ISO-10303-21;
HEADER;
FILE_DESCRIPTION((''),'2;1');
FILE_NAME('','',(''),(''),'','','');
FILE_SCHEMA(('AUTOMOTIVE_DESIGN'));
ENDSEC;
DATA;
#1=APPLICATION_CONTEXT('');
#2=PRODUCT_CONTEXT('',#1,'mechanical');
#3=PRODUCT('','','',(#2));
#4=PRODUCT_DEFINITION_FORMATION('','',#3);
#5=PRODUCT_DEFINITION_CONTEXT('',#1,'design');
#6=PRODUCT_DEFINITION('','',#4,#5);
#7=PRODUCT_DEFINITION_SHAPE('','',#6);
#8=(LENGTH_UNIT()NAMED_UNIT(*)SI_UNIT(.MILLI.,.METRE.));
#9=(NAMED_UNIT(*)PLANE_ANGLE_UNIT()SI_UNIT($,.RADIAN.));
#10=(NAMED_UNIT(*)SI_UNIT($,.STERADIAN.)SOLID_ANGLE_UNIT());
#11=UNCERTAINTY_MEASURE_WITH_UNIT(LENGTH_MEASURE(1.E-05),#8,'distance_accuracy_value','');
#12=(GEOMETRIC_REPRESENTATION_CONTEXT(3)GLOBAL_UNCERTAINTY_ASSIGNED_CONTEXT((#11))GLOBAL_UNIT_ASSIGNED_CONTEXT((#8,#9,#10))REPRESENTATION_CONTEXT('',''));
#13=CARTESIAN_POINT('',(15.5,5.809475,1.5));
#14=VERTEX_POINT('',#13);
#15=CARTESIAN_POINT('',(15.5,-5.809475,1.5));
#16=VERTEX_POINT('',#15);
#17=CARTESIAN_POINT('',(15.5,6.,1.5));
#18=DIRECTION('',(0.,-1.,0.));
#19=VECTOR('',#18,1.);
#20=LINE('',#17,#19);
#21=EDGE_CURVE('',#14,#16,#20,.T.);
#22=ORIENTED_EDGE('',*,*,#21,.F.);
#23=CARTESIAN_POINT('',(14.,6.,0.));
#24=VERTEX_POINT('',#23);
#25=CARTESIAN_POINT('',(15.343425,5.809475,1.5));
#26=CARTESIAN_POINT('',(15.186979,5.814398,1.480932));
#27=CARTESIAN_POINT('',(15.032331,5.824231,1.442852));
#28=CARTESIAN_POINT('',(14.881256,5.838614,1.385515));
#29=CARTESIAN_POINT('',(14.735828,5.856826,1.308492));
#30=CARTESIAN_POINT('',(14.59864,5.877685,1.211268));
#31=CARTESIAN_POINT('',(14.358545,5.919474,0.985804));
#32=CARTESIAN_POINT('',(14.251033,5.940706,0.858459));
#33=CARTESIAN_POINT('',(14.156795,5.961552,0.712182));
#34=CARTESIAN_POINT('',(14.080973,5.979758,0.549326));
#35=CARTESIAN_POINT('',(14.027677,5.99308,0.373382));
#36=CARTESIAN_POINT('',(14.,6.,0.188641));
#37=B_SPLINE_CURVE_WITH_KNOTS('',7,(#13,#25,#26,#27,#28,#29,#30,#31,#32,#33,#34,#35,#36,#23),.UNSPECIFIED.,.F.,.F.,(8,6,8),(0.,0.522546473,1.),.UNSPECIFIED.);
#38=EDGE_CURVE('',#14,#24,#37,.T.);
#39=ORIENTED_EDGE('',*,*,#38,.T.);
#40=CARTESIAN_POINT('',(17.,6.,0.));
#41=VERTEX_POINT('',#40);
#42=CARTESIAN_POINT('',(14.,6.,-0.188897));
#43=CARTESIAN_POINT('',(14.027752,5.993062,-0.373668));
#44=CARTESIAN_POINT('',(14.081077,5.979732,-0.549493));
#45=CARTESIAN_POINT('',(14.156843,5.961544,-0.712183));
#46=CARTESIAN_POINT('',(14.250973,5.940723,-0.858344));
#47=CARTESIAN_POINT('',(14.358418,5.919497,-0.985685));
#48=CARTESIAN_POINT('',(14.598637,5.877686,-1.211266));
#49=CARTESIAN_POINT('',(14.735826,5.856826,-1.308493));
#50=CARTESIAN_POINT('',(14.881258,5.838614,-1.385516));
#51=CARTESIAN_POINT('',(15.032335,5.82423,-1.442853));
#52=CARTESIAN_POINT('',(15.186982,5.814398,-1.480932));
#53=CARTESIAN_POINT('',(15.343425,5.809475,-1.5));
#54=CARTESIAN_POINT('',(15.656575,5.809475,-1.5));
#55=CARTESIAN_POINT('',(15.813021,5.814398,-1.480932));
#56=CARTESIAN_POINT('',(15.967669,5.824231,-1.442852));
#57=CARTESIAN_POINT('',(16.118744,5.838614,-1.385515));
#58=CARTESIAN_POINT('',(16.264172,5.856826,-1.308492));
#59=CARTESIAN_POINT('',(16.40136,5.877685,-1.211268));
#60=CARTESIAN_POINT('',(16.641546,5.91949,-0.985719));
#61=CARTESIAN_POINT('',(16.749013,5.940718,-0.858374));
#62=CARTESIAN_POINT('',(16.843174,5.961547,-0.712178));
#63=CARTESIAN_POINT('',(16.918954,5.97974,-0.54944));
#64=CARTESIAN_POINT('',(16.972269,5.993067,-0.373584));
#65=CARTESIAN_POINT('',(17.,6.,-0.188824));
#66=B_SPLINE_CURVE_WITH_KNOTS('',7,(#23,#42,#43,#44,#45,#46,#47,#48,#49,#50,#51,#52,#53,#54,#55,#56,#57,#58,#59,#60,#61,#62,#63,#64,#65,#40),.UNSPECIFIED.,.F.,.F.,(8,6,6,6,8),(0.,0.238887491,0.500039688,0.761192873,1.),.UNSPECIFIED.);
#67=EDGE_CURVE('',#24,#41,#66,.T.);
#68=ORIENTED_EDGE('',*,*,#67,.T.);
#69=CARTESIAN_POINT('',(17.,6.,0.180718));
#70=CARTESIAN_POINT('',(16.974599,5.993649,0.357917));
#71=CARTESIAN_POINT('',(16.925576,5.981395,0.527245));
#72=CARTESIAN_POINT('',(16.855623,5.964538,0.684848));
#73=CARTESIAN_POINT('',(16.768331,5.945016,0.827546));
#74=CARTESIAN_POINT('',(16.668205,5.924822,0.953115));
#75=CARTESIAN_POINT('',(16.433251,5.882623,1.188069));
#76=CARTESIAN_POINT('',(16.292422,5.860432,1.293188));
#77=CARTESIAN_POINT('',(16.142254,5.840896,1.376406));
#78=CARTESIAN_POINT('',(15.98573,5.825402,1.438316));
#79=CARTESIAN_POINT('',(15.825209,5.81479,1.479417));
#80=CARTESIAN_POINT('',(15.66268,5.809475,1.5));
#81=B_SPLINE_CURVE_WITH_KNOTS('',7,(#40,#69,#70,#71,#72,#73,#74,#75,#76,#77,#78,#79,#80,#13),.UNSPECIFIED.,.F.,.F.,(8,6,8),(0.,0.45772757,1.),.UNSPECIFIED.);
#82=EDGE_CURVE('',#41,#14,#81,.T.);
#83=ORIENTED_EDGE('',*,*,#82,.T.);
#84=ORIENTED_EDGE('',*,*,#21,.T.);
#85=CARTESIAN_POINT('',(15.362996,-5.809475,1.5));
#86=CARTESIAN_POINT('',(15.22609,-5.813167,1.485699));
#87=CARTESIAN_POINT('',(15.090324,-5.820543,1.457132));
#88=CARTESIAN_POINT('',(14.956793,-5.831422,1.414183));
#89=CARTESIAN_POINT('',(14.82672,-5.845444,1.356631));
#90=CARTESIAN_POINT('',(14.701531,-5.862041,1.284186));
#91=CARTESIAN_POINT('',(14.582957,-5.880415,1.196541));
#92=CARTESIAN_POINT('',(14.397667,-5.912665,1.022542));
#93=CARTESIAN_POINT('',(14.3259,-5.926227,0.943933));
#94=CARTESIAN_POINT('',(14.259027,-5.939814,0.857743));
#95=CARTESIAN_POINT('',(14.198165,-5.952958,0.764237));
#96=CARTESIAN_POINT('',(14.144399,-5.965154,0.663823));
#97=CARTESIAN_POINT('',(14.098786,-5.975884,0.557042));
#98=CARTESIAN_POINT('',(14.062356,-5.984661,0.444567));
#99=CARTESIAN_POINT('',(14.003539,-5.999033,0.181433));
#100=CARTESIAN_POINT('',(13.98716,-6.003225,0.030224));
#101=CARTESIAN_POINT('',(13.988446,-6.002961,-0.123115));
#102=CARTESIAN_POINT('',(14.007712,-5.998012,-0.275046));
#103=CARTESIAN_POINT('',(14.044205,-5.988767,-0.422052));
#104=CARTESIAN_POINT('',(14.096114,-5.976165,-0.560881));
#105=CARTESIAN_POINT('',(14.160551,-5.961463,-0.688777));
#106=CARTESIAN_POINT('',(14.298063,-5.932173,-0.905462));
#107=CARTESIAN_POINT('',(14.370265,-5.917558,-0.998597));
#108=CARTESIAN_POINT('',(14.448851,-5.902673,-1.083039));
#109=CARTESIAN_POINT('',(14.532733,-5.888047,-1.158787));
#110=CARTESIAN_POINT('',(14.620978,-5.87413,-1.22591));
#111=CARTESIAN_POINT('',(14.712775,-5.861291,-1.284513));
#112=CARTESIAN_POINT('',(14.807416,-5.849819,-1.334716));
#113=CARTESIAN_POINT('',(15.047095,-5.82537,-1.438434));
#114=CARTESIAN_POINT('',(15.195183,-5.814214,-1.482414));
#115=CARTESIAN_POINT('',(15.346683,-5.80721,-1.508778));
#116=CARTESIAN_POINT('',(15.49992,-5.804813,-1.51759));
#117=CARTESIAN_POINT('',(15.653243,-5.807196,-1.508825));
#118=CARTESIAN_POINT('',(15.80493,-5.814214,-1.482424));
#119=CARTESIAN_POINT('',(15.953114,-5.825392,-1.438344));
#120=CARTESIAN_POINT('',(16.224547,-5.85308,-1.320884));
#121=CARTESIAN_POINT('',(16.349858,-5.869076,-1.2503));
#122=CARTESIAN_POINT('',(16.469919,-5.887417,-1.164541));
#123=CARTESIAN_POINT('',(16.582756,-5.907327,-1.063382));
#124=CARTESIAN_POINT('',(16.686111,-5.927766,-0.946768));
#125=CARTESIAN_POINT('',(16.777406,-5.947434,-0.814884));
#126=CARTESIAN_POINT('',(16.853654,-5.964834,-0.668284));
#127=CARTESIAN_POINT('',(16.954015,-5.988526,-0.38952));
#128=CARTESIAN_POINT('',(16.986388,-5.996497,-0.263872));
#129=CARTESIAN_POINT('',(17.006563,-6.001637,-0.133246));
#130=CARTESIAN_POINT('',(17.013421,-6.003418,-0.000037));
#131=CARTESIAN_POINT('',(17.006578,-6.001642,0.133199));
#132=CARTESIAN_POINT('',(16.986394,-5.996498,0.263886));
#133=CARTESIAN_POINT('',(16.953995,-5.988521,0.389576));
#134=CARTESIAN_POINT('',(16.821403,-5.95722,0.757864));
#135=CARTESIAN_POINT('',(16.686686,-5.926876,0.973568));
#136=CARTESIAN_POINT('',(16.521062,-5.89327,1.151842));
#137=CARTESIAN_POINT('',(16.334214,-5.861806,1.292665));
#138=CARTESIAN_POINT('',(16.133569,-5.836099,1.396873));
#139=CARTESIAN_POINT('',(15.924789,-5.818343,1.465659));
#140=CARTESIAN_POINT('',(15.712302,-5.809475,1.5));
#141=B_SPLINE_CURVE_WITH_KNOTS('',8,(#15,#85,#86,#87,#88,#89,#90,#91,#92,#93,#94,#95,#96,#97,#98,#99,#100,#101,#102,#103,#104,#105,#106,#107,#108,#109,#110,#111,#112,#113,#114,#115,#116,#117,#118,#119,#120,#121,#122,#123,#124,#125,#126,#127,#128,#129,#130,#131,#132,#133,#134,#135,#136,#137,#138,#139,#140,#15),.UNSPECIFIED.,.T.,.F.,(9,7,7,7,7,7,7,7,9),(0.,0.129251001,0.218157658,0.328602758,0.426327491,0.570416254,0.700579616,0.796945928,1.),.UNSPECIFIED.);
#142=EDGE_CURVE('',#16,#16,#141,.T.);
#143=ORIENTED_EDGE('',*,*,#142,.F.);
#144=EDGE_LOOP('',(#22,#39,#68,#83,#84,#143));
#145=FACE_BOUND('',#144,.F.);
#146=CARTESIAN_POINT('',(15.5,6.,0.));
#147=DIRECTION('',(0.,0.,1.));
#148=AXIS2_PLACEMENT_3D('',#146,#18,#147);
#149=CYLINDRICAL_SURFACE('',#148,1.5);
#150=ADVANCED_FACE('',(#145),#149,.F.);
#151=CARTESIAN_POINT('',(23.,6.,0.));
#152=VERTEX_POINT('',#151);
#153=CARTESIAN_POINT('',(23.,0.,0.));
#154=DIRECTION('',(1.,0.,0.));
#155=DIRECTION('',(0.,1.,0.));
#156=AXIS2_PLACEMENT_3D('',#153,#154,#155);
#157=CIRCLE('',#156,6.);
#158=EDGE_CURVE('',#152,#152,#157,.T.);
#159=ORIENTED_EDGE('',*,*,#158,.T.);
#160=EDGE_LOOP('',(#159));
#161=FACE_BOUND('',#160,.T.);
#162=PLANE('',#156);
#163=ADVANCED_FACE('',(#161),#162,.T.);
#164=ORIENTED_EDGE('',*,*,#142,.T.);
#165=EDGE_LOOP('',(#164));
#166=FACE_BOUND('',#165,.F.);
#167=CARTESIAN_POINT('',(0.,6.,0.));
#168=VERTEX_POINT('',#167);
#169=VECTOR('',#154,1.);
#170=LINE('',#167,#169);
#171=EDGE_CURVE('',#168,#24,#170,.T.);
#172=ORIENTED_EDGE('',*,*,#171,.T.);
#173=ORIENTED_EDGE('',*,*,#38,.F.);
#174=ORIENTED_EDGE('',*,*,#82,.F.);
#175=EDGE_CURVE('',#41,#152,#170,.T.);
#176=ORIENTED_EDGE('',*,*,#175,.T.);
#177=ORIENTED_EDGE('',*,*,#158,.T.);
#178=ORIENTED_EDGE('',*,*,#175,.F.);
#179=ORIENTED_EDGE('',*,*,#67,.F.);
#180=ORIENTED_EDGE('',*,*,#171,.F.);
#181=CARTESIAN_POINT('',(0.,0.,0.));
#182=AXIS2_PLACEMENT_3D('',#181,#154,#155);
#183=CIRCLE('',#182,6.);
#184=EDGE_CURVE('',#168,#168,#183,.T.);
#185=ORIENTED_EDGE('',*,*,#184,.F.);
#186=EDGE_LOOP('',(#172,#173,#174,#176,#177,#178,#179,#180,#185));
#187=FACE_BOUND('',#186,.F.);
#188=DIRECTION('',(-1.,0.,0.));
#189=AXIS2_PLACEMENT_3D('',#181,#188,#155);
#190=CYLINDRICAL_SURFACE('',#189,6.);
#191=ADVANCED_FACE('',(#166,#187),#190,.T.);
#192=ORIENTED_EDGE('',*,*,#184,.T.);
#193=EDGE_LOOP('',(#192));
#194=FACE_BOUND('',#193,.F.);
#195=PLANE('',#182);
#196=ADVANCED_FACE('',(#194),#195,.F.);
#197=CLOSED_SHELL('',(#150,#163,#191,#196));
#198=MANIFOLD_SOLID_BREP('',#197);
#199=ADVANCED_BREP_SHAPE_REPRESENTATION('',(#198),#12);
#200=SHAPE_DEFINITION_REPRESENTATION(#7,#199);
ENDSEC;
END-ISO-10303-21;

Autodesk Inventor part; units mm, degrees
ref_plane "YZ Plane" through (0, 0, 0) normal (1, 0, 0) x (0, 1, 0)
ref_plane "XY Plane" through (0, 0, 0) normal (0, 0, 1) x (1, 0, 0)
sketch "スケッチ1" plane through (0, 0, 0) normal (1, 0, 0) x (0, 1, 0)
  circle A0 centre (0, 0) radius 6
  dimension "d0" = 12
extrude "押し出し1" add sketch "スケッチ1" along normal blind 23
ref_plane "作業平面1" through (0, 6, 0) normal (0, 1, 0) x (-1, 0, 0)
sketch "スケッチ2" plane through (0, 6, 0) normal (0, 1, 0) x (-1, 0, 0)
  line L0 (0, 6) -> (0, -6) projected
  line L1 (-23, 6) -> (-23, -6) projected
  point P0 (0, 0)
  point P1 (-15.5, 0)
  dimension "d11" = 7.5
hole "穴1" at (15.5, 6, 0) direction (0, -1, 0) diameter 3 end through all
properties part number "roller-hand-v2-Shaft-m-r" material "アルミニウム 6061"
